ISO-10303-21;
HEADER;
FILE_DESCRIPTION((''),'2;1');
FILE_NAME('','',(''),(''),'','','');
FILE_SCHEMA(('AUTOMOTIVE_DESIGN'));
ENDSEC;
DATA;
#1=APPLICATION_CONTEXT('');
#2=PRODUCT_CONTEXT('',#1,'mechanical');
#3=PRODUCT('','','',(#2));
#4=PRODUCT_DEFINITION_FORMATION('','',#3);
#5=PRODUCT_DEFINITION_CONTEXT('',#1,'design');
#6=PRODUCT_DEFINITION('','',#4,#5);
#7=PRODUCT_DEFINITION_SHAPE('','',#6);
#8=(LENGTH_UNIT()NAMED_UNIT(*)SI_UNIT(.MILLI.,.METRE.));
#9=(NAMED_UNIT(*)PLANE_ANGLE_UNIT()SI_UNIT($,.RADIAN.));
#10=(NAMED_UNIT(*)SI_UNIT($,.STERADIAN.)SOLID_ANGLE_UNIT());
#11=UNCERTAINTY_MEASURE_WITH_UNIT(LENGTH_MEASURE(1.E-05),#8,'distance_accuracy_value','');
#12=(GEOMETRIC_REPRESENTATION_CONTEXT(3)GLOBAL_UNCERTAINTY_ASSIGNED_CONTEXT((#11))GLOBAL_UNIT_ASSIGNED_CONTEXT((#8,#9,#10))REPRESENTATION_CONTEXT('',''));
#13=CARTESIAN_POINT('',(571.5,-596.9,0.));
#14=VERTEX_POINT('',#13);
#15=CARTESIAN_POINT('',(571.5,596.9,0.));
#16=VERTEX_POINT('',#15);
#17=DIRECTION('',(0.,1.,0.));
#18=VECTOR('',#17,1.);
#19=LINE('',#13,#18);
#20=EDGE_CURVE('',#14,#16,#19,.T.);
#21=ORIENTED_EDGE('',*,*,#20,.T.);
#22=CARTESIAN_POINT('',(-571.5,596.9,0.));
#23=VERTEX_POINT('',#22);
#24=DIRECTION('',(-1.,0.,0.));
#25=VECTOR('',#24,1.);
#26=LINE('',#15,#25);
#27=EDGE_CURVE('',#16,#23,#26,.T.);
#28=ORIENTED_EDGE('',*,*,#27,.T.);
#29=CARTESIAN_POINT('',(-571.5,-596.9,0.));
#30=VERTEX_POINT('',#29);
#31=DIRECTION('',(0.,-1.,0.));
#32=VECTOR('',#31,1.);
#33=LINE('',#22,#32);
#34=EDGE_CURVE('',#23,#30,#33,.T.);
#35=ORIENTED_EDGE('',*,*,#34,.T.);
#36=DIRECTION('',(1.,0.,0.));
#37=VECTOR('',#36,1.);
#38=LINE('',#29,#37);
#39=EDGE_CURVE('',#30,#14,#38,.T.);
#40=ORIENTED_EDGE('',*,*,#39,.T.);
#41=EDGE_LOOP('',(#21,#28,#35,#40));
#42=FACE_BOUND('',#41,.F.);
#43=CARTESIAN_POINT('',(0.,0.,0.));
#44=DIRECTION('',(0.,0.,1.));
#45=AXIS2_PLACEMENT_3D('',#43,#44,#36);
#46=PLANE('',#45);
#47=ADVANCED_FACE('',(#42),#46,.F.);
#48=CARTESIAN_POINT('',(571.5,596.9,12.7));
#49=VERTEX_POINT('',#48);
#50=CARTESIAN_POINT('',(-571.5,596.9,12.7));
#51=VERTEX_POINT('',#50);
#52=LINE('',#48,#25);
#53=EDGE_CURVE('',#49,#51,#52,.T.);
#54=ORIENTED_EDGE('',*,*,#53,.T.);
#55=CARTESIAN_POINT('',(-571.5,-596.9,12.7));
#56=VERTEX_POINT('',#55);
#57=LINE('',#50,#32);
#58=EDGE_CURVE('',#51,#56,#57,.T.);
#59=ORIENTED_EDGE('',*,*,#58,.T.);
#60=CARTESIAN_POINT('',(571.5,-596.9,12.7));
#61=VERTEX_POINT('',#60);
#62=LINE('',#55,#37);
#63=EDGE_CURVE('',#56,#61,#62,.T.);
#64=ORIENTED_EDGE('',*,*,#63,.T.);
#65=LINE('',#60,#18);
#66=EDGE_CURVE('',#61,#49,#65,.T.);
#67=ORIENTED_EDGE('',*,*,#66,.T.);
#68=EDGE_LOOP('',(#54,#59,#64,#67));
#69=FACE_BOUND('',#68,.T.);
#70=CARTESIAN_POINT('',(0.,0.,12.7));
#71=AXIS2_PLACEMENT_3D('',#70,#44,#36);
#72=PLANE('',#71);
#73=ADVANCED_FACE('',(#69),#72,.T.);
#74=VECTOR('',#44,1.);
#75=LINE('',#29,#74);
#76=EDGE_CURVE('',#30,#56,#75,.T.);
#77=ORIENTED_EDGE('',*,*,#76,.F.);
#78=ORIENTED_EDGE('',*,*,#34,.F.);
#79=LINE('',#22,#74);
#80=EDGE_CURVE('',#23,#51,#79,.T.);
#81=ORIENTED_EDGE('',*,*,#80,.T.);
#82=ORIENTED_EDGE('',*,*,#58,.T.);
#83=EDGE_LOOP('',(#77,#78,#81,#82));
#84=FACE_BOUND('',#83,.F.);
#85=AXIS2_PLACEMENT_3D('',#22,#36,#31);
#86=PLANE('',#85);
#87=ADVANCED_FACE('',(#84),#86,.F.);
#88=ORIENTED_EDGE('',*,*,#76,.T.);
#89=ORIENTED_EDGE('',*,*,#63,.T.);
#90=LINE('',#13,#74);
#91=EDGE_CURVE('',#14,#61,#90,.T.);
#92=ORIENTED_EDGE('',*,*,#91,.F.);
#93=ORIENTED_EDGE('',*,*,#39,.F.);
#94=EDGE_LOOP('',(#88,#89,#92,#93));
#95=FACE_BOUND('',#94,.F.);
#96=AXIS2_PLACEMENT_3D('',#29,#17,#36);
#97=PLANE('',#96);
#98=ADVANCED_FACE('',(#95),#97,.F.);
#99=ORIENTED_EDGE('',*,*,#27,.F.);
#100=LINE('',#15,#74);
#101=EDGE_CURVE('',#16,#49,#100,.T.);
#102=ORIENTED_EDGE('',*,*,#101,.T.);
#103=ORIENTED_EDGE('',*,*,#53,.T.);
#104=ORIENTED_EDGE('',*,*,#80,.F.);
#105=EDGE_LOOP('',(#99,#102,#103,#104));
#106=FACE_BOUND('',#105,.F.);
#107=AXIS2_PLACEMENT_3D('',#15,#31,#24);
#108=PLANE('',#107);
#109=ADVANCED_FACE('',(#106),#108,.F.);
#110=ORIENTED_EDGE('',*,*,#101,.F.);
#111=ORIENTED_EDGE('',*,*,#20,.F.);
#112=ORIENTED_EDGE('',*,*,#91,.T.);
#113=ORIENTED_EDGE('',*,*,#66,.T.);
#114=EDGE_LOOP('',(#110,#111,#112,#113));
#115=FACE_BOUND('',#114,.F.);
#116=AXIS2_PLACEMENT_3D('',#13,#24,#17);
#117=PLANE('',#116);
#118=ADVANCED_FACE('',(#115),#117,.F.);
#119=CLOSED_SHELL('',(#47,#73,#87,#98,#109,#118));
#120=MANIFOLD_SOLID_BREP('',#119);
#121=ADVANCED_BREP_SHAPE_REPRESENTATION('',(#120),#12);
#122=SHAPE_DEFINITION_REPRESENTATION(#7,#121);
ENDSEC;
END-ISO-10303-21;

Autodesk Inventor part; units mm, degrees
ref_plane "YZ Plane" through (0, 0, 0) normal (1, 0, 0) x (0, 1, 0)
ref_plane "XZ Plane" through (0, 0, 0) normal (0, 1, 0) x (-1, 0, 0)
ref_plane "XY Plane" through (0, 0, 0) normal (0, 0, 1) x (1, 0, 0)
sketch "Sketch1" plane through (0, 0, 0) normal (0, 0, 1) x (1, 0, 0)
  line L0 (-571.5, -596.9) -> (571.5, -596.9)
  line L1 (571.5, -596.9) -> (571.5, 596.9)
  line L2 (571.5, 596.9) -> (-571.5, 596.9)
  line L3 (-571.5, 596.9) -> (-571.5, -596.9)
  line L4 (-571.5, -596.9) -> (571.5, 596.9) construction
  line L5 (571.5, -596.9) -> (-571.5, 596.9) construction
  point P0 (0, 0)
  dimension "d0" = 1143
  dimension "d1" = 1193.8
extrude "Extrusion1" add sketch "Sketch1" along normal blind 12.7
properties part number "left_1_1"
